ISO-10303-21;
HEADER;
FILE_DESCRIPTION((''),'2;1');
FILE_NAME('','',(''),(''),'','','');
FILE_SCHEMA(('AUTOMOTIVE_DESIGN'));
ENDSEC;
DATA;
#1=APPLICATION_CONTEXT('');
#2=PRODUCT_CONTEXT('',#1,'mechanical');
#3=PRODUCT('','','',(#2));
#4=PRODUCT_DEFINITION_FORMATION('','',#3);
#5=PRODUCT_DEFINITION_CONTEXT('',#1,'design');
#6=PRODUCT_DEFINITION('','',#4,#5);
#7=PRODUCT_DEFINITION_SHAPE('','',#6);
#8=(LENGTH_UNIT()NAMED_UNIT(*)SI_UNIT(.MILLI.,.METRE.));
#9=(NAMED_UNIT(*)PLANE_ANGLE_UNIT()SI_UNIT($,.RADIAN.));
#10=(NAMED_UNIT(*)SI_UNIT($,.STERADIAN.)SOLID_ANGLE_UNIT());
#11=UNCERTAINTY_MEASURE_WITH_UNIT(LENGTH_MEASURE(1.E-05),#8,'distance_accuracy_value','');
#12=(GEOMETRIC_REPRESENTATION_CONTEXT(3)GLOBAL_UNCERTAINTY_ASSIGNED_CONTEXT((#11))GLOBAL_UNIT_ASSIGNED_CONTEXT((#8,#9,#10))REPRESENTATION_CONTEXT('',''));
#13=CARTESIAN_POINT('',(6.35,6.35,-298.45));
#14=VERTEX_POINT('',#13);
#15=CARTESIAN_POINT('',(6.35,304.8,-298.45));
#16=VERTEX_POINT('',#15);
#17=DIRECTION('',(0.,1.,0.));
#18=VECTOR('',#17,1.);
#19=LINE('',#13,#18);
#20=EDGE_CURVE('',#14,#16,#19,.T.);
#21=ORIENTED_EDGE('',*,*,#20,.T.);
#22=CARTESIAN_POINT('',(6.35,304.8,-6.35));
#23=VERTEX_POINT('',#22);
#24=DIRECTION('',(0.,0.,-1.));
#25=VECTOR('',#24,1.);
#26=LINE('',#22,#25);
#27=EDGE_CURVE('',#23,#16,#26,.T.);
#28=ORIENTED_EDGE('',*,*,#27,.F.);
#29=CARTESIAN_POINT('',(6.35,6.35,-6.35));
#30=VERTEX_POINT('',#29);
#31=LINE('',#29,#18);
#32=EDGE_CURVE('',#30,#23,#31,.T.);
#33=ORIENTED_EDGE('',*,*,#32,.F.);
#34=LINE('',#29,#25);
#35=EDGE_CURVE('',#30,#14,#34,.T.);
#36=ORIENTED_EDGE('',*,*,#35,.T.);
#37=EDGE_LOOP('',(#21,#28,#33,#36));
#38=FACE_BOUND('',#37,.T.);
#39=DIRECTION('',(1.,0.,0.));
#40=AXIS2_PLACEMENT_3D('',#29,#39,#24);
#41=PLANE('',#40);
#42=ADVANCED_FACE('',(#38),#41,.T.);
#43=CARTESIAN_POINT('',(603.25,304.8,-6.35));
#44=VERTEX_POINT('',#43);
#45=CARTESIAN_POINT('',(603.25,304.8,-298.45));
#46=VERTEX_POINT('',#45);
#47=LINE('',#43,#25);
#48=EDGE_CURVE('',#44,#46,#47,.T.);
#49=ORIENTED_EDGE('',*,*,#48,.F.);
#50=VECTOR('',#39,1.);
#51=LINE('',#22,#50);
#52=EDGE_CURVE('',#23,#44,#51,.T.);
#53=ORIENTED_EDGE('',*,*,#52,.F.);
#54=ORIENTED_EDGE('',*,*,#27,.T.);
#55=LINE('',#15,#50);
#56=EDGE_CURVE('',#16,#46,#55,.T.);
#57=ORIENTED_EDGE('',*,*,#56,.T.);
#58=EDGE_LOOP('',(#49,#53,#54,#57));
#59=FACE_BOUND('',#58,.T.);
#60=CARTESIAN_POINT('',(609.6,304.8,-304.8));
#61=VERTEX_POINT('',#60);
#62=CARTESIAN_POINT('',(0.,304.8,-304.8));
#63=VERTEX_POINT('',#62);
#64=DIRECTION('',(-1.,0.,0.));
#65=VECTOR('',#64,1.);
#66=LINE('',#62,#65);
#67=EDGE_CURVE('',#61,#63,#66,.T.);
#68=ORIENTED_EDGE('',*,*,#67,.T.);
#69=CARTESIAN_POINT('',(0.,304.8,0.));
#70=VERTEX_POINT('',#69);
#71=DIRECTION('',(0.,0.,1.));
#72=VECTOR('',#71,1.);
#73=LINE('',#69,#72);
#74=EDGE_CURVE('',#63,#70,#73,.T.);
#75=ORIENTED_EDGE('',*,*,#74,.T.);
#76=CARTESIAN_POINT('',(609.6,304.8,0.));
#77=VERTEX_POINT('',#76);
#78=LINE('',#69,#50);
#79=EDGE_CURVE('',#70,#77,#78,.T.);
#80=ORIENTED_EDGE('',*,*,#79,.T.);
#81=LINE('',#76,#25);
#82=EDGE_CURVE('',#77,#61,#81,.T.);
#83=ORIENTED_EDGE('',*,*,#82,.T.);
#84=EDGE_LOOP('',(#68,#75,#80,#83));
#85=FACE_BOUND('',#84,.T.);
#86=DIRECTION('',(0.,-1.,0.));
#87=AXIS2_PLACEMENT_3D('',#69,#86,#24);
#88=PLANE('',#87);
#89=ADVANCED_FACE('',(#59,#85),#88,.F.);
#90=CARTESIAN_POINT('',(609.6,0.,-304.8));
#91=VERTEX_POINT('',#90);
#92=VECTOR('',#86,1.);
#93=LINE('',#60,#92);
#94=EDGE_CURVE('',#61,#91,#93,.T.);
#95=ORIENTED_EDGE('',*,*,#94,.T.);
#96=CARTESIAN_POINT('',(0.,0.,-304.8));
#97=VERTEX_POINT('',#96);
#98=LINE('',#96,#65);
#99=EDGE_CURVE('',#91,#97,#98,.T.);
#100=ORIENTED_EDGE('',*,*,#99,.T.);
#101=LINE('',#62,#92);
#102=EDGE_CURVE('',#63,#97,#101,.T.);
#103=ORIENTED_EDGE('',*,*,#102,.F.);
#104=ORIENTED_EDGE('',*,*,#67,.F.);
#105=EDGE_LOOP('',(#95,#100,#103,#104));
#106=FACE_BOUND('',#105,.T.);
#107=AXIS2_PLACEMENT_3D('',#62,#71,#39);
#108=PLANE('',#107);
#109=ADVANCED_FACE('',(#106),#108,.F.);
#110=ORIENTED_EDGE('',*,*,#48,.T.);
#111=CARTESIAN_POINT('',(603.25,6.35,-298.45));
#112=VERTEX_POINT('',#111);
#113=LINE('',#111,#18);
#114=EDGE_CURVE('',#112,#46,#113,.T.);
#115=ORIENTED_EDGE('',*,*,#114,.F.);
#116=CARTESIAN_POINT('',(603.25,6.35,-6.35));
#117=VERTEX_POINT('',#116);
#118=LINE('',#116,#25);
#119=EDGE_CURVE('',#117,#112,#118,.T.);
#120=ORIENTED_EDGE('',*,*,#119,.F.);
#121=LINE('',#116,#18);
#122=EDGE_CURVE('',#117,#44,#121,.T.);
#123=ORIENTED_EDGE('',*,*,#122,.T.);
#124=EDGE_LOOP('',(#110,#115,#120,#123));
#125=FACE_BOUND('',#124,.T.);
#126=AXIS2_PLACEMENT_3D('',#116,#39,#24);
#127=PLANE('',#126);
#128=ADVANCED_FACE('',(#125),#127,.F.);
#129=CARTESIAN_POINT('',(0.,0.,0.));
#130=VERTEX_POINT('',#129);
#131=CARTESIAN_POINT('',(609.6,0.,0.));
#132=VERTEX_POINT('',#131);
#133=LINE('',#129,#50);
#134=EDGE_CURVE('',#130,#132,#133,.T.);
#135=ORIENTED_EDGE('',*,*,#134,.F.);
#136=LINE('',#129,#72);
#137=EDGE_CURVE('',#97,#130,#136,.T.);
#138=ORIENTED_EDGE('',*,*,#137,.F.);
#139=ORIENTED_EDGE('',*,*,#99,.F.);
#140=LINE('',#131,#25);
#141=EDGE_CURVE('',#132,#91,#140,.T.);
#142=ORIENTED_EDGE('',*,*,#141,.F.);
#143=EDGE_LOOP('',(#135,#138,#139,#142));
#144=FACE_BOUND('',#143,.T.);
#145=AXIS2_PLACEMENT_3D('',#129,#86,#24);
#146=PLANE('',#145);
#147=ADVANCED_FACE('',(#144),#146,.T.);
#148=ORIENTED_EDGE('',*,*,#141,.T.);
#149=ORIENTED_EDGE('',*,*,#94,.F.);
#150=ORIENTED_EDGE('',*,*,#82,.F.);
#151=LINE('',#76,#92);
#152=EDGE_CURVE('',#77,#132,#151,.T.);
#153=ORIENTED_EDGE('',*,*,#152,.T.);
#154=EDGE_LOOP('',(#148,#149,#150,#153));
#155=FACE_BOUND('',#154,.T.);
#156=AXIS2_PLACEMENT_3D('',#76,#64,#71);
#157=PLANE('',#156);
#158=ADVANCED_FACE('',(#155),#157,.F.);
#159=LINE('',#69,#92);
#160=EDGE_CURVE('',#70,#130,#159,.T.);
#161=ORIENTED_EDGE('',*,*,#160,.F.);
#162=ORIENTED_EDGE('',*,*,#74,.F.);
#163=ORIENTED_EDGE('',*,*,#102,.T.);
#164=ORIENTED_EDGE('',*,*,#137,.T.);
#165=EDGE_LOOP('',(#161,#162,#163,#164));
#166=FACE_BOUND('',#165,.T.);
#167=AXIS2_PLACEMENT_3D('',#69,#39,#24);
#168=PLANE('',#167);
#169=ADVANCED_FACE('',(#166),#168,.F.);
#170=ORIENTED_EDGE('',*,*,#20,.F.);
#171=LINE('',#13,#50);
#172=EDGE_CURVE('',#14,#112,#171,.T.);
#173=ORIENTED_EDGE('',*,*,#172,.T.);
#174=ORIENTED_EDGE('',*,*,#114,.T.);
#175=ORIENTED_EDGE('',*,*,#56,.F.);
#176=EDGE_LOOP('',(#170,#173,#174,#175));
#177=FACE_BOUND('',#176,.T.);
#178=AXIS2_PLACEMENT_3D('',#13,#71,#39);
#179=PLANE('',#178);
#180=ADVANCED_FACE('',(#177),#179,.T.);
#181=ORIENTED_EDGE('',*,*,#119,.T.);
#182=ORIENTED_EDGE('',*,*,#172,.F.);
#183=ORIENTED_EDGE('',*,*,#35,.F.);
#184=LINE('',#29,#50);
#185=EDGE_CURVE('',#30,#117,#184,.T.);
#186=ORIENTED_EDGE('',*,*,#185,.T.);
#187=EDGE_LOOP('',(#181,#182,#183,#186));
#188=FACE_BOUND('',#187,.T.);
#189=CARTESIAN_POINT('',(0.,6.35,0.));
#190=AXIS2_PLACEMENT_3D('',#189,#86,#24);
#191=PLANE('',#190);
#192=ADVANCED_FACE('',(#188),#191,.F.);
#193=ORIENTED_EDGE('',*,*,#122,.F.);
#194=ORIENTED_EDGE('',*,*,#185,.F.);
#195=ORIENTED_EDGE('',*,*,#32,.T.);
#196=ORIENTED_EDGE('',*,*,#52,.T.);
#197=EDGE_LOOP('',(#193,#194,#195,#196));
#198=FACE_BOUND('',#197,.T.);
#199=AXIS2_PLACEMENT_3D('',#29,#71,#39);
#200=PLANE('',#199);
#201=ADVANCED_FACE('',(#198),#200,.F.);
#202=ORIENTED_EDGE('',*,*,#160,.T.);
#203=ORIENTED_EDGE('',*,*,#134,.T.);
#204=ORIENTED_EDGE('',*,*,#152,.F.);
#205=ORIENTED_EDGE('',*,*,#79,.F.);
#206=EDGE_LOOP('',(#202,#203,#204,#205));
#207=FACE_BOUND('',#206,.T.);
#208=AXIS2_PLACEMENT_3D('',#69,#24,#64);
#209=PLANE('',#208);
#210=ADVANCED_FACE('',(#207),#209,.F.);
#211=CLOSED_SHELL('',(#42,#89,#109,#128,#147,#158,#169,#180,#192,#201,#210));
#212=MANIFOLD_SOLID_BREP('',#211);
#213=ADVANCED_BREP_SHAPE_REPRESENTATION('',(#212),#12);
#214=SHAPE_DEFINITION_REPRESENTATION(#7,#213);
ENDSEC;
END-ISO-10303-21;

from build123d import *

# Parameters (mm, degrees)
SKETCH1_W           = 609.6
SKETCH1_H           = 304.8
BOSS_EXTRUDE1_DEPTH = 304.8
SKETCH2_W           = 596.9
SKETCH2_H           = 292.1
CUT_EXTRUDE1_DEPTH  = 298.45


with BuildPart() as part:
    # Sketch1 → Boss-Extrude1 (new body)
    with BuildSketch(Plane(origin=(0, 0, 0), x_dir=(1, 0, 0), z_dir=(0, 1, 0))):
        with Locations((304.8, 152.4)):
            Rectangle(SKETCH1_W, SKETCH1_H)
    extrude(amount=BOSS_EXTRUDE1_DEPTH)

    # Sketch2 → Cut-Extrude1 (cut)
    with BuildSketch(Plane(origin=(0, 304.8, 0), x_dir=(1, 0, 0), z_dir=(0, 1, 0))):
        with Locations((304.8, 152.4)):
            Rectangle(SKETCH2_W, SKETCH2_H)
    extrude(amount=-CUT_EXTRUDE1_DEPTH, mode=Mode.SUBTRACT)


solid = part.part
